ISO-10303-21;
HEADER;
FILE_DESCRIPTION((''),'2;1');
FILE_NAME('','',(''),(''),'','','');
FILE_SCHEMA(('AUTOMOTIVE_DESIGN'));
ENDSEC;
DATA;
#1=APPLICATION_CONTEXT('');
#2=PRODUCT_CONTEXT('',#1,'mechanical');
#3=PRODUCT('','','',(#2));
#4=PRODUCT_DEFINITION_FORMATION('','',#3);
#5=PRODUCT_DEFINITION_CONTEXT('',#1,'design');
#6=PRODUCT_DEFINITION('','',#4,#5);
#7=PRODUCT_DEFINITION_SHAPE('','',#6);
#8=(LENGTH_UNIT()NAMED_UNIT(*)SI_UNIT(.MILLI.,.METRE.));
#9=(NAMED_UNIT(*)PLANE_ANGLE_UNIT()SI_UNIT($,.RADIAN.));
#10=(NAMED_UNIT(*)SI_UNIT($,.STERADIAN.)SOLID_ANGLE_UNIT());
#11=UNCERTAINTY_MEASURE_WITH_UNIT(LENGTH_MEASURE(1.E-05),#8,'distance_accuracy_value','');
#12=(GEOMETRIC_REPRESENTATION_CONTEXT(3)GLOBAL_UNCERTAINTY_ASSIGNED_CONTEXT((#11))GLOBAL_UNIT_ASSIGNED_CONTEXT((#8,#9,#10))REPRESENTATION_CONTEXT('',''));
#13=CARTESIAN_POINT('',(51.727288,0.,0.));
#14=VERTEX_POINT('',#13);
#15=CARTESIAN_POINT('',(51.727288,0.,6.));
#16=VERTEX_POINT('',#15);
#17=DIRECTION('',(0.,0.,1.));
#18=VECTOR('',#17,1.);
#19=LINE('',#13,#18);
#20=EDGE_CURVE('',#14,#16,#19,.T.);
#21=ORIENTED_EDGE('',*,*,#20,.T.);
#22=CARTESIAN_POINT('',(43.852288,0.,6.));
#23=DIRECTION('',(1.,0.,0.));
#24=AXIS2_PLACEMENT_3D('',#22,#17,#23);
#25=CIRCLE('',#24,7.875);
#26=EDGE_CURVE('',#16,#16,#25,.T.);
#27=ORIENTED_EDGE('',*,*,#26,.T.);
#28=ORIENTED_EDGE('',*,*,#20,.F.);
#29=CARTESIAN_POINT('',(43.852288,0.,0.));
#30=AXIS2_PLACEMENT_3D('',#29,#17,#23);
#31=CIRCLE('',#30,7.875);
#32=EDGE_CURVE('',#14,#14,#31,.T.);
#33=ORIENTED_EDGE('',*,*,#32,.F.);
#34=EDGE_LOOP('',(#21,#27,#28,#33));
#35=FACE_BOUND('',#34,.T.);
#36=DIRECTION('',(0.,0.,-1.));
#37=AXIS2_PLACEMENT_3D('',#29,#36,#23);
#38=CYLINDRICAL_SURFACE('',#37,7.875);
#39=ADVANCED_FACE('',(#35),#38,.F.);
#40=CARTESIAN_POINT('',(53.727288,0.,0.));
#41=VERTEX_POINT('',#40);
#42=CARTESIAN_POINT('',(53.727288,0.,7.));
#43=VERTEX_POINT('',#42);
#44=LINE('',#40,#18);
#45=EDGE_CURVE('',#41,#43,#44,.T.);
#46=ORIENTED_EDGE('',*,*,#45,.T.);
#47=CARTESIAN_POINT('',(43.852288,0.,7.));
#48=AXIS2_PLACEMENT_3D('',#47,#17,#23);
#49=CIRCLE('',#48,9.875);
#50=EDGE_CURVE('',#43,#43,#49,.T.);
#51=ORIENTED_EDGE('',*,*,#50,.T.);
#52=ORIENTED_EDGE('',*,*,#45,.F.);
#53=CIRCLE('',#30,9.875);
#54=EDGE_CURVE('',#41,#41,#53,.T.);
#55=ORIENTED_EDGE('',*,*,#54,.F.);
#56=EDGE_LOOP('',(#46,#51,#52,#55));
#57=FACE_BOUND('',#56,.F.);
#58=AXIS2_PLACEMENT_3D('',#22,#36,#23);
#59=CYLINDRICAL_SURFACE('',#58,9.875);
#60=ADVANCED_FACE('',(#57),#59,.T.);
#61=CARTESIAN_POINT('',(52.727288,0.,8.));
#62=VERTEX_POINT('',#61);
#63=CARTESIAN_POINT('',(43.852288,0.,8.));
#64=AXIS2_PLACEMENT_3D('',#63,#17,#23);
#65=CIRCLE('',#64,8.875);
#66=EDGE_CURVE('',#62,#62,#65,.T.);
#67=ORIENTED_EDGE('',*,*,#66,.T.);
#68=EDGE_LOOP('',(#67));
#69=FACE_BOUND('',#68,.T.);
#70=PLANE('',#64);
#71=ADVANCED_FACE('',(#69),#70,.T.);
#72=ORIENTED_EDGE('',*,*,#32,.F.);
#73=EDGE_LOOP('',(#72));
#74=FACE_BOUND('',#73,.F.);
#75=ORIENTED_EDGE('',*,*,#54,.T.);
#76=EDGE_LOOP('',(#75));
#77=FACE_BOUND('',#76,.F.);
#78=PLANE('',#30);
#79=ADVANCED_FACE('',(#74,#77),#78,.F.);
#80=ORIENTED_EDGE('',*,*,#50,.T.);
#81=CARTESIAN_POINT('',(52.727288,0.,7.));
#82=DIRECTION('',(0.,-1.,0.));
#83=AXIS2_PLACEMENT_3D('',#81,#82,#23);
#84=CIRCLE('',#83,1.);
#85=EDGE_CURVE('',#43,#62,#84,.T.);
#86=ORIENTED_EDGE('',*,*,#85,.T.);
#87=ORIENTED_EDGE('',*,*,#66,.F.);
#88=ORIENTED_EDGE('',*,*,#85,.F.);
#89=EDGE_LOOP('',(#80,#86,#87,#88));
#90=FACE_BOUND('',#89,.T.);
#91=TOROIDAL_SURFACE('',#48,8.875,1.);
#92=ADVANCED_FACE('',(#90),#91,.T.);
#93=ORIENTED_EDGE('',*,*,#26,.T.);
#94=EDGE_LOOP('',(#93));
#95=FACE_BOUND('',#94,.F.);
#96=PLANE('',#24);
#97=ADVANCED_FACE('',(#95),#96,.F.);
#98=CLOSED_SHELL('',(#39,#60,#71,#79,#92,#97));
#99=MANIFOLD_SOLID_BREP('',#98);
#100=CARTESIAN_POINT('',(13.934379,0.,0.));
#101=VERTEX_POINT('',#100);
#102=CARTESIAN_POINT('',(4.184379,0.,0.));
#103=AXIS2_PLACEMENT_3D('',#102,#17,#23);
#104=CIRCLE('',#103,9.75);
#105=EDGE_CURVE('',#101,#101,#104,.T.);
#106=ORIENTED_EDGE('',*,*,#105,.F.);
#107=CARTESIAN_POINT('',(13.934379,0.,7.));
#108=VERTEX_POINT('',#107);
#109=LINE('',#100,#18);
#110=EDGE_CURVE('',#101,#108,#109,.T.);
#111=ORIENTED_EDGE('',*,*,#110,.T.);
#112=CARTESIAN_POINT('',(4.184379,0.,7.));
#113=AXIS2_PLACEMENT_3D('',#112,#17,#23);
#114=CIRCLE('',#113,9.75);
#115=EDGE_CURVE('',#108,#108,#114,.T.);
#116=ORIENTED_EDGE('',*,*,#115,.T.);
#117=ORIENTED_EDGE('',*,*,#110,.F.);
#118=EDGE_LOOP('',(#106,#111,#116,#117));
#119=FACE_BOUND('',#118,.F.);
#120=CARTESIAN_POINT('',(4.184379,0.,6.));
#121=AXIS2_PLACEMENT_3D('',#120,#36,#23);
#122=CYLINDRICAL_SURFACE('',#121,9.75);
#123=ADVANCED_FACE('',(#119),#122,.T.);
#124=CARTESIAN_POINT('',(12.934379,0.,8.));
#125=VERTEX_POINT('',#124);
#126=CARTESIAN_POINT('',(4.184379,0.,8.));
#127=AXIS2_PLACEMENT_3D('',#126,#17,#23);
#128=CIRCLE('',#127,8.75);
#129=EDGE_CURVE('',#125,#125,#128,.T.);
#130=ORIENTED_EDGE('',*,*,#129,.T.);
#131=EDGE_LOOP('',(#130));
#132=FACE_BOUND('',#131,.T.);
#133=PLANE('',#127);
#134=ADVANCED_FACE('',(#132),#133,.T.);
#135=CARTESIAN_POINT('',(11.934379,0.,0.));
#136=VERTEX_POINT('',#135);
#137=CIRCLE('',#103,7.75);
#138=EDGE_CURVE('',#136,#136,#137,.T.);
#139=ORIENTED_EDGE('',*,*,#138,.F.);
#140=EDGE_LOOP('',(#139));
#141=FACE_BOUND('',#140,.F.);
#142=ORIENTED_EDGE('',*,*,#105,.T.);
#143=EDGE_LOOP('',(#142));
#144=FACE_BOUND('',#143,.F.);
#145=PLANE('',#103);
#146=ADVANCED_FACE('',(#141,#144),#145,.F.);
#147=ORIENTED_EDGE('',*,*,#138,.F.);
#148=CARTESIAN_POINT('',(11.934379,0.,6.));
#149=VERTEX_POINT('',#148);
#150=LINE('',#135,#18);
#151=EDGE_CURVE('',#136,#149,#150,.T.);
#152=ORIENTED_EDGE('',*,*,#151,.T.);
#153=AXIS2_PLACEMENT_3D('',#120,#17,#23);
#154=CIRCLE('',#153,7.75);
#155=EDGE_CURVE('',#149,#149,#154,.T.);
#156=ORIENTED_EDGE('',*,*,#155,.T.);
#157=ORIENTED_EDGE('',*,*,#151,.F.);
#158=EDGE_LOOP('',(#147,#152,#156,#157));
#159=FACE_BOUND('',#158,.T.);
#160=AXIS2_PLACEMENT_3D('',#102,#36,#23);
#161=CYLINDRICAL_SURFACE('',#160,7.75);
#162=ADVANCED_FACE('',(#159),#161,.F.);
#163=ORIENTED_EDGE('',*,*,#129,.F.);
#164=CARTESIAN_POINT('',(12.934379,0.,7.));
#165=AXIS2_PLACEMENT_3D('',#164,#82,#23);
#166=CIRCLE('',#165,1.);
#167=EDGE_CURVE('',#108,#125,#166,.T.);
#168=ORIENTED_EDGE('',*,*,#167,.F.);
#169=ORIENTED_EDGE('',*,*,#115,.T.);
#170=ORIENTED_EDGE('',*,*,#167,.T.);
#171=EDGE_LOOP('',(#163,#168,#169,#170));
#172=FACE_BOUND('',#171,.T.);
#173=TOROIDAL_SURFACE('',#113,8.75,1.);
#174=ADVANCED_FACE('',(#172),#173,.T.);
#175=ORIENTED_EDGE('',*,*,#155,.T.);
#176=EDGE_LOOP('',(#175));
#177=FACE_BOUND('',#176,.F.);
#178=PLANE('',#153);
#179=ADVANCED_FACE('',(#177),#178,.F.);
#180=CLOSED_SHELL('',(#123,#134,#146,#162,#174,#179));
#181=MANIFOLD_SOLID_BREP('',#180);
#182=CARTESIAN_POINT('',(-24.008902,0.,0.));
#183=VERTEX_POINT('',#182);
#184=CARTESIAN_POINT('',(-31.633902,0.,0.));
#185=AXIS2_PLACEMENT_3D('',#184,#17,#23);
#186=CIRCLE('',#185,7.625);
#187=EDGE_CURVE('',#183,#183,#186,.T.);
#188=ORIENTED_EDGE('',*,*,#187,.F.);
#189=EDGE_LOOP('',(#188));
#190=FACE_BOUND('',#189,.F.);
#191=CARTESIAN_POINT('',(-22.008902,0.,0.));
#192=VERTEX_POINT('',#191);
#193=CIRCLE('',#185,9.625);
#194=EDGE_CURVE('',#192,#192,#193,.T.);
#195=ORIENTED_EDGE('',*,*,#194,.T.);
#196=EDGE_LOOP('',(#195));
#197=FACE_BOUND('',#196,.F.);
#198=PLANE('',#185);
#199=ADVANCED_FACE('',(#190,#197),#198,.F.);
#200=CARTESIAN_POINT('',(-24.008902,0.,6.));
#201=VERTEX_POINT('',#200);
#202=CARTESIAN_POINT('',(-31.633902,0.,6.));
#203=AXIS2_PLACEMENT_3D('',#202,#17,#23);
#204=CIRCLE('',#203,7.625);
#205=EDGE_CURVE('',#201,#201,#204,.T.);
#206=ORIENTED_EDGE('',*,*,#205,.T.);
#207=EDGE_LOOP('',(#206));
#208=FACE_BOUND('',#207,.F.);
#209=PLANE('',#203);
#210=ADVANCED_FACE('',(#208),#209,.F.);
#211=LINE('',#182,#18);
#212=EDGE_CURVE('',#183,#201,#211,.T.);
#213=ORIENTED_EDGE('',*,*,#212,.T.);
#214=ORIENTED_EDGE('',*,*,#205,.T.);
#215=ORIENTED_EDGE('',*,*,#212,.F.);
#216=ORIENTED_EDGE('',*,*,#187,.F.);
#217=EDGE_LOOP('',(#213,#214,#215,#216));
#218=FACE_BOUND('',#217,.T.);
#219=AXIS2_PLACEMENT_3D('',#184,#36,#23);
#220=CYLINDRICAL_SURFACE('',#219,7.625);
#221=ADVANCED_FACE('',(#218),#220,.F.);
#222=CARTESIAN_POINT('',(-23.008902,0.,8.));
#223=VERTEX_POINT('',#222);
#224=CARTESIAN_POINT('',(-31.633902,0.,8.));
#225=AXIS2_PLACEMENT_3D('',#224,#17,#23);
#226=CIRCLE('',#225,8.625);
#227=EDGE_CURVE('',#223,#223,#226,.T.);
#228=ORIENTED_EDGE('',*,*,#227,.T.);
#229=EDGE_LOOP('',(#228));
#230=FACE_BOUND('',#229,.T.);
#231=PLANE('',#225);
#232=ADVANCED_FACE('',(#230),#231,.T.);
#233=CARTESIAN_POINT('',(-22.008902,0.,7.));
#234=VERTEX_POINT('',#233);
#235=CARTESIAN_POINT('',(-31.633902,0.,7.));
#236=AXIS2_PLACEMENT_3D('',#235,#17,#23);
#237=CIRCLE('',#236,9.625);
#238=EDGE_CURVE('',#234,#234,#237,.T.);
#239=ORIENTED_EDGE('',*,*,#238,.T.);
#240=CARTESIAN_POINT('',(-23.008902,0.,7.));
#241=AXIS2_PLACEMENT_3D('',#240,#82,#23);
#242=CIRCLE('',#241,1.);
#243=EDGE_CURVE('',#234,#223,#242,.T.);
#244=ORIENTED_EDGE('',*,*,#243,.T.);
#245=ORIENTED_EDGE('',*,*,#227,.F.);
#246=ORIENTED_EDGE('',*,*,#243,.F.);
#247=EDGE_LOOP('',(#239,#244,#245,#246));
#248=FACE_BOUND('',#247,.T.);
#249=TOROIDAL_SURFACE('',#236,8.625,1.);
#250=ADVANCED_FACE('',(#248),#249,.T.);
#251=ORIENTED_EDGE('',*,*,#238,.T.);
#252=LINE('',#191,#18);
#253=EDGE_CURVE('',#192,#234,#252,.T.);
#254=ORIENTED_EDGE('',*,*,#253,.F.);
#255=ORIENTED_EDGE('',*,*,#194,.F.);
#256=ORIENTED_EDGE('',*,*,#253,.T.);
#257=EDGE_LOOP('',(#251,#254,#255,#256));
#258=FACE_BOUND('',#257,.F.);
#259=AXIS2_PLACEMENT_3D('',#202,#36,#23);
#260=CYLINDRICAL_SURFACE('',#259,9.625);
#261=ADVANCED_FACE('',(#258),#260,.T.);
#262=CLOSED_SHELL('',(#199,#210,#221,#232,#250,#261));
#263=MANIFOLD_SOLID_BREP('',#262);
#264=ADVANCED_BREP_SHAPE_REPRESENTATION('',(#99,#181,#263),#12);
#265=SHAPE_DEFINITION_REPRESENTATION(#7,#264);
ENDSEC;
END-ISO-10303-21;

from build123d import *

# Parameters (mm, degrees)
F0_R     = 9.625
F0_R_2   = 7.625
F0_R_3   = 9.75
F0_R_4   = 7.75
F0_R_5   = 9.875
F0_R_6   = 7.875
F1_DEPTH = 6
F2_R     = 9.625
F2_R_2   = 9.75
F2_R_3   = 9.875
F3_DEPTH = 2
F4_R     = 1


with BuildPart() as f1:
    # F0 (on Top) → F1 (new body)
    with BuildSketch(Plane.XY):
        with Locations((-31.633902, 0)):
            Circle(F0_R)
        with Locations((-31.633902, 0)):
            Circle(F0_R_2, mode=Mode.SUBTRACT)
        with Locations((4.184379, 0)):
            Circle(F0_R_3)
        with Locations((4.184379, 0)):
            Circle(F0_R_4, mode=Mode.SUBTRACT)
        with Locations((43.852288, 0)):
            Circle(F0_R_5)
        with Locations((43.852288, 0)):
            Circle(F0_R_6, mode=Mode.SUBTRACT)
    extrude(amount=F1_DEPTH)

    # F2 (on face) → F3 (join)
    with BuildSketch(Plane.XY.offset(6)):
        with Locations((-31.633902, 0)):
            Circle(F2_R)
        with Locations((4.184379, 0)):
            Circle(F2_R_2)
        with Locations((43.852288, 0)):
            Circle(F2_R_3)
    extrude(amount=F3_DEPTH)

    # F4
    f4_edges = [f1.edges().sort_by_distance(p)[0] for p in [
        (-41.258902, 0, 8),
        (-5.565621, 0, 8),
        (33.977288, 0, 8),
    ]]
    fillet(f4_edges, radius=F4_R)


solid = f1.part
